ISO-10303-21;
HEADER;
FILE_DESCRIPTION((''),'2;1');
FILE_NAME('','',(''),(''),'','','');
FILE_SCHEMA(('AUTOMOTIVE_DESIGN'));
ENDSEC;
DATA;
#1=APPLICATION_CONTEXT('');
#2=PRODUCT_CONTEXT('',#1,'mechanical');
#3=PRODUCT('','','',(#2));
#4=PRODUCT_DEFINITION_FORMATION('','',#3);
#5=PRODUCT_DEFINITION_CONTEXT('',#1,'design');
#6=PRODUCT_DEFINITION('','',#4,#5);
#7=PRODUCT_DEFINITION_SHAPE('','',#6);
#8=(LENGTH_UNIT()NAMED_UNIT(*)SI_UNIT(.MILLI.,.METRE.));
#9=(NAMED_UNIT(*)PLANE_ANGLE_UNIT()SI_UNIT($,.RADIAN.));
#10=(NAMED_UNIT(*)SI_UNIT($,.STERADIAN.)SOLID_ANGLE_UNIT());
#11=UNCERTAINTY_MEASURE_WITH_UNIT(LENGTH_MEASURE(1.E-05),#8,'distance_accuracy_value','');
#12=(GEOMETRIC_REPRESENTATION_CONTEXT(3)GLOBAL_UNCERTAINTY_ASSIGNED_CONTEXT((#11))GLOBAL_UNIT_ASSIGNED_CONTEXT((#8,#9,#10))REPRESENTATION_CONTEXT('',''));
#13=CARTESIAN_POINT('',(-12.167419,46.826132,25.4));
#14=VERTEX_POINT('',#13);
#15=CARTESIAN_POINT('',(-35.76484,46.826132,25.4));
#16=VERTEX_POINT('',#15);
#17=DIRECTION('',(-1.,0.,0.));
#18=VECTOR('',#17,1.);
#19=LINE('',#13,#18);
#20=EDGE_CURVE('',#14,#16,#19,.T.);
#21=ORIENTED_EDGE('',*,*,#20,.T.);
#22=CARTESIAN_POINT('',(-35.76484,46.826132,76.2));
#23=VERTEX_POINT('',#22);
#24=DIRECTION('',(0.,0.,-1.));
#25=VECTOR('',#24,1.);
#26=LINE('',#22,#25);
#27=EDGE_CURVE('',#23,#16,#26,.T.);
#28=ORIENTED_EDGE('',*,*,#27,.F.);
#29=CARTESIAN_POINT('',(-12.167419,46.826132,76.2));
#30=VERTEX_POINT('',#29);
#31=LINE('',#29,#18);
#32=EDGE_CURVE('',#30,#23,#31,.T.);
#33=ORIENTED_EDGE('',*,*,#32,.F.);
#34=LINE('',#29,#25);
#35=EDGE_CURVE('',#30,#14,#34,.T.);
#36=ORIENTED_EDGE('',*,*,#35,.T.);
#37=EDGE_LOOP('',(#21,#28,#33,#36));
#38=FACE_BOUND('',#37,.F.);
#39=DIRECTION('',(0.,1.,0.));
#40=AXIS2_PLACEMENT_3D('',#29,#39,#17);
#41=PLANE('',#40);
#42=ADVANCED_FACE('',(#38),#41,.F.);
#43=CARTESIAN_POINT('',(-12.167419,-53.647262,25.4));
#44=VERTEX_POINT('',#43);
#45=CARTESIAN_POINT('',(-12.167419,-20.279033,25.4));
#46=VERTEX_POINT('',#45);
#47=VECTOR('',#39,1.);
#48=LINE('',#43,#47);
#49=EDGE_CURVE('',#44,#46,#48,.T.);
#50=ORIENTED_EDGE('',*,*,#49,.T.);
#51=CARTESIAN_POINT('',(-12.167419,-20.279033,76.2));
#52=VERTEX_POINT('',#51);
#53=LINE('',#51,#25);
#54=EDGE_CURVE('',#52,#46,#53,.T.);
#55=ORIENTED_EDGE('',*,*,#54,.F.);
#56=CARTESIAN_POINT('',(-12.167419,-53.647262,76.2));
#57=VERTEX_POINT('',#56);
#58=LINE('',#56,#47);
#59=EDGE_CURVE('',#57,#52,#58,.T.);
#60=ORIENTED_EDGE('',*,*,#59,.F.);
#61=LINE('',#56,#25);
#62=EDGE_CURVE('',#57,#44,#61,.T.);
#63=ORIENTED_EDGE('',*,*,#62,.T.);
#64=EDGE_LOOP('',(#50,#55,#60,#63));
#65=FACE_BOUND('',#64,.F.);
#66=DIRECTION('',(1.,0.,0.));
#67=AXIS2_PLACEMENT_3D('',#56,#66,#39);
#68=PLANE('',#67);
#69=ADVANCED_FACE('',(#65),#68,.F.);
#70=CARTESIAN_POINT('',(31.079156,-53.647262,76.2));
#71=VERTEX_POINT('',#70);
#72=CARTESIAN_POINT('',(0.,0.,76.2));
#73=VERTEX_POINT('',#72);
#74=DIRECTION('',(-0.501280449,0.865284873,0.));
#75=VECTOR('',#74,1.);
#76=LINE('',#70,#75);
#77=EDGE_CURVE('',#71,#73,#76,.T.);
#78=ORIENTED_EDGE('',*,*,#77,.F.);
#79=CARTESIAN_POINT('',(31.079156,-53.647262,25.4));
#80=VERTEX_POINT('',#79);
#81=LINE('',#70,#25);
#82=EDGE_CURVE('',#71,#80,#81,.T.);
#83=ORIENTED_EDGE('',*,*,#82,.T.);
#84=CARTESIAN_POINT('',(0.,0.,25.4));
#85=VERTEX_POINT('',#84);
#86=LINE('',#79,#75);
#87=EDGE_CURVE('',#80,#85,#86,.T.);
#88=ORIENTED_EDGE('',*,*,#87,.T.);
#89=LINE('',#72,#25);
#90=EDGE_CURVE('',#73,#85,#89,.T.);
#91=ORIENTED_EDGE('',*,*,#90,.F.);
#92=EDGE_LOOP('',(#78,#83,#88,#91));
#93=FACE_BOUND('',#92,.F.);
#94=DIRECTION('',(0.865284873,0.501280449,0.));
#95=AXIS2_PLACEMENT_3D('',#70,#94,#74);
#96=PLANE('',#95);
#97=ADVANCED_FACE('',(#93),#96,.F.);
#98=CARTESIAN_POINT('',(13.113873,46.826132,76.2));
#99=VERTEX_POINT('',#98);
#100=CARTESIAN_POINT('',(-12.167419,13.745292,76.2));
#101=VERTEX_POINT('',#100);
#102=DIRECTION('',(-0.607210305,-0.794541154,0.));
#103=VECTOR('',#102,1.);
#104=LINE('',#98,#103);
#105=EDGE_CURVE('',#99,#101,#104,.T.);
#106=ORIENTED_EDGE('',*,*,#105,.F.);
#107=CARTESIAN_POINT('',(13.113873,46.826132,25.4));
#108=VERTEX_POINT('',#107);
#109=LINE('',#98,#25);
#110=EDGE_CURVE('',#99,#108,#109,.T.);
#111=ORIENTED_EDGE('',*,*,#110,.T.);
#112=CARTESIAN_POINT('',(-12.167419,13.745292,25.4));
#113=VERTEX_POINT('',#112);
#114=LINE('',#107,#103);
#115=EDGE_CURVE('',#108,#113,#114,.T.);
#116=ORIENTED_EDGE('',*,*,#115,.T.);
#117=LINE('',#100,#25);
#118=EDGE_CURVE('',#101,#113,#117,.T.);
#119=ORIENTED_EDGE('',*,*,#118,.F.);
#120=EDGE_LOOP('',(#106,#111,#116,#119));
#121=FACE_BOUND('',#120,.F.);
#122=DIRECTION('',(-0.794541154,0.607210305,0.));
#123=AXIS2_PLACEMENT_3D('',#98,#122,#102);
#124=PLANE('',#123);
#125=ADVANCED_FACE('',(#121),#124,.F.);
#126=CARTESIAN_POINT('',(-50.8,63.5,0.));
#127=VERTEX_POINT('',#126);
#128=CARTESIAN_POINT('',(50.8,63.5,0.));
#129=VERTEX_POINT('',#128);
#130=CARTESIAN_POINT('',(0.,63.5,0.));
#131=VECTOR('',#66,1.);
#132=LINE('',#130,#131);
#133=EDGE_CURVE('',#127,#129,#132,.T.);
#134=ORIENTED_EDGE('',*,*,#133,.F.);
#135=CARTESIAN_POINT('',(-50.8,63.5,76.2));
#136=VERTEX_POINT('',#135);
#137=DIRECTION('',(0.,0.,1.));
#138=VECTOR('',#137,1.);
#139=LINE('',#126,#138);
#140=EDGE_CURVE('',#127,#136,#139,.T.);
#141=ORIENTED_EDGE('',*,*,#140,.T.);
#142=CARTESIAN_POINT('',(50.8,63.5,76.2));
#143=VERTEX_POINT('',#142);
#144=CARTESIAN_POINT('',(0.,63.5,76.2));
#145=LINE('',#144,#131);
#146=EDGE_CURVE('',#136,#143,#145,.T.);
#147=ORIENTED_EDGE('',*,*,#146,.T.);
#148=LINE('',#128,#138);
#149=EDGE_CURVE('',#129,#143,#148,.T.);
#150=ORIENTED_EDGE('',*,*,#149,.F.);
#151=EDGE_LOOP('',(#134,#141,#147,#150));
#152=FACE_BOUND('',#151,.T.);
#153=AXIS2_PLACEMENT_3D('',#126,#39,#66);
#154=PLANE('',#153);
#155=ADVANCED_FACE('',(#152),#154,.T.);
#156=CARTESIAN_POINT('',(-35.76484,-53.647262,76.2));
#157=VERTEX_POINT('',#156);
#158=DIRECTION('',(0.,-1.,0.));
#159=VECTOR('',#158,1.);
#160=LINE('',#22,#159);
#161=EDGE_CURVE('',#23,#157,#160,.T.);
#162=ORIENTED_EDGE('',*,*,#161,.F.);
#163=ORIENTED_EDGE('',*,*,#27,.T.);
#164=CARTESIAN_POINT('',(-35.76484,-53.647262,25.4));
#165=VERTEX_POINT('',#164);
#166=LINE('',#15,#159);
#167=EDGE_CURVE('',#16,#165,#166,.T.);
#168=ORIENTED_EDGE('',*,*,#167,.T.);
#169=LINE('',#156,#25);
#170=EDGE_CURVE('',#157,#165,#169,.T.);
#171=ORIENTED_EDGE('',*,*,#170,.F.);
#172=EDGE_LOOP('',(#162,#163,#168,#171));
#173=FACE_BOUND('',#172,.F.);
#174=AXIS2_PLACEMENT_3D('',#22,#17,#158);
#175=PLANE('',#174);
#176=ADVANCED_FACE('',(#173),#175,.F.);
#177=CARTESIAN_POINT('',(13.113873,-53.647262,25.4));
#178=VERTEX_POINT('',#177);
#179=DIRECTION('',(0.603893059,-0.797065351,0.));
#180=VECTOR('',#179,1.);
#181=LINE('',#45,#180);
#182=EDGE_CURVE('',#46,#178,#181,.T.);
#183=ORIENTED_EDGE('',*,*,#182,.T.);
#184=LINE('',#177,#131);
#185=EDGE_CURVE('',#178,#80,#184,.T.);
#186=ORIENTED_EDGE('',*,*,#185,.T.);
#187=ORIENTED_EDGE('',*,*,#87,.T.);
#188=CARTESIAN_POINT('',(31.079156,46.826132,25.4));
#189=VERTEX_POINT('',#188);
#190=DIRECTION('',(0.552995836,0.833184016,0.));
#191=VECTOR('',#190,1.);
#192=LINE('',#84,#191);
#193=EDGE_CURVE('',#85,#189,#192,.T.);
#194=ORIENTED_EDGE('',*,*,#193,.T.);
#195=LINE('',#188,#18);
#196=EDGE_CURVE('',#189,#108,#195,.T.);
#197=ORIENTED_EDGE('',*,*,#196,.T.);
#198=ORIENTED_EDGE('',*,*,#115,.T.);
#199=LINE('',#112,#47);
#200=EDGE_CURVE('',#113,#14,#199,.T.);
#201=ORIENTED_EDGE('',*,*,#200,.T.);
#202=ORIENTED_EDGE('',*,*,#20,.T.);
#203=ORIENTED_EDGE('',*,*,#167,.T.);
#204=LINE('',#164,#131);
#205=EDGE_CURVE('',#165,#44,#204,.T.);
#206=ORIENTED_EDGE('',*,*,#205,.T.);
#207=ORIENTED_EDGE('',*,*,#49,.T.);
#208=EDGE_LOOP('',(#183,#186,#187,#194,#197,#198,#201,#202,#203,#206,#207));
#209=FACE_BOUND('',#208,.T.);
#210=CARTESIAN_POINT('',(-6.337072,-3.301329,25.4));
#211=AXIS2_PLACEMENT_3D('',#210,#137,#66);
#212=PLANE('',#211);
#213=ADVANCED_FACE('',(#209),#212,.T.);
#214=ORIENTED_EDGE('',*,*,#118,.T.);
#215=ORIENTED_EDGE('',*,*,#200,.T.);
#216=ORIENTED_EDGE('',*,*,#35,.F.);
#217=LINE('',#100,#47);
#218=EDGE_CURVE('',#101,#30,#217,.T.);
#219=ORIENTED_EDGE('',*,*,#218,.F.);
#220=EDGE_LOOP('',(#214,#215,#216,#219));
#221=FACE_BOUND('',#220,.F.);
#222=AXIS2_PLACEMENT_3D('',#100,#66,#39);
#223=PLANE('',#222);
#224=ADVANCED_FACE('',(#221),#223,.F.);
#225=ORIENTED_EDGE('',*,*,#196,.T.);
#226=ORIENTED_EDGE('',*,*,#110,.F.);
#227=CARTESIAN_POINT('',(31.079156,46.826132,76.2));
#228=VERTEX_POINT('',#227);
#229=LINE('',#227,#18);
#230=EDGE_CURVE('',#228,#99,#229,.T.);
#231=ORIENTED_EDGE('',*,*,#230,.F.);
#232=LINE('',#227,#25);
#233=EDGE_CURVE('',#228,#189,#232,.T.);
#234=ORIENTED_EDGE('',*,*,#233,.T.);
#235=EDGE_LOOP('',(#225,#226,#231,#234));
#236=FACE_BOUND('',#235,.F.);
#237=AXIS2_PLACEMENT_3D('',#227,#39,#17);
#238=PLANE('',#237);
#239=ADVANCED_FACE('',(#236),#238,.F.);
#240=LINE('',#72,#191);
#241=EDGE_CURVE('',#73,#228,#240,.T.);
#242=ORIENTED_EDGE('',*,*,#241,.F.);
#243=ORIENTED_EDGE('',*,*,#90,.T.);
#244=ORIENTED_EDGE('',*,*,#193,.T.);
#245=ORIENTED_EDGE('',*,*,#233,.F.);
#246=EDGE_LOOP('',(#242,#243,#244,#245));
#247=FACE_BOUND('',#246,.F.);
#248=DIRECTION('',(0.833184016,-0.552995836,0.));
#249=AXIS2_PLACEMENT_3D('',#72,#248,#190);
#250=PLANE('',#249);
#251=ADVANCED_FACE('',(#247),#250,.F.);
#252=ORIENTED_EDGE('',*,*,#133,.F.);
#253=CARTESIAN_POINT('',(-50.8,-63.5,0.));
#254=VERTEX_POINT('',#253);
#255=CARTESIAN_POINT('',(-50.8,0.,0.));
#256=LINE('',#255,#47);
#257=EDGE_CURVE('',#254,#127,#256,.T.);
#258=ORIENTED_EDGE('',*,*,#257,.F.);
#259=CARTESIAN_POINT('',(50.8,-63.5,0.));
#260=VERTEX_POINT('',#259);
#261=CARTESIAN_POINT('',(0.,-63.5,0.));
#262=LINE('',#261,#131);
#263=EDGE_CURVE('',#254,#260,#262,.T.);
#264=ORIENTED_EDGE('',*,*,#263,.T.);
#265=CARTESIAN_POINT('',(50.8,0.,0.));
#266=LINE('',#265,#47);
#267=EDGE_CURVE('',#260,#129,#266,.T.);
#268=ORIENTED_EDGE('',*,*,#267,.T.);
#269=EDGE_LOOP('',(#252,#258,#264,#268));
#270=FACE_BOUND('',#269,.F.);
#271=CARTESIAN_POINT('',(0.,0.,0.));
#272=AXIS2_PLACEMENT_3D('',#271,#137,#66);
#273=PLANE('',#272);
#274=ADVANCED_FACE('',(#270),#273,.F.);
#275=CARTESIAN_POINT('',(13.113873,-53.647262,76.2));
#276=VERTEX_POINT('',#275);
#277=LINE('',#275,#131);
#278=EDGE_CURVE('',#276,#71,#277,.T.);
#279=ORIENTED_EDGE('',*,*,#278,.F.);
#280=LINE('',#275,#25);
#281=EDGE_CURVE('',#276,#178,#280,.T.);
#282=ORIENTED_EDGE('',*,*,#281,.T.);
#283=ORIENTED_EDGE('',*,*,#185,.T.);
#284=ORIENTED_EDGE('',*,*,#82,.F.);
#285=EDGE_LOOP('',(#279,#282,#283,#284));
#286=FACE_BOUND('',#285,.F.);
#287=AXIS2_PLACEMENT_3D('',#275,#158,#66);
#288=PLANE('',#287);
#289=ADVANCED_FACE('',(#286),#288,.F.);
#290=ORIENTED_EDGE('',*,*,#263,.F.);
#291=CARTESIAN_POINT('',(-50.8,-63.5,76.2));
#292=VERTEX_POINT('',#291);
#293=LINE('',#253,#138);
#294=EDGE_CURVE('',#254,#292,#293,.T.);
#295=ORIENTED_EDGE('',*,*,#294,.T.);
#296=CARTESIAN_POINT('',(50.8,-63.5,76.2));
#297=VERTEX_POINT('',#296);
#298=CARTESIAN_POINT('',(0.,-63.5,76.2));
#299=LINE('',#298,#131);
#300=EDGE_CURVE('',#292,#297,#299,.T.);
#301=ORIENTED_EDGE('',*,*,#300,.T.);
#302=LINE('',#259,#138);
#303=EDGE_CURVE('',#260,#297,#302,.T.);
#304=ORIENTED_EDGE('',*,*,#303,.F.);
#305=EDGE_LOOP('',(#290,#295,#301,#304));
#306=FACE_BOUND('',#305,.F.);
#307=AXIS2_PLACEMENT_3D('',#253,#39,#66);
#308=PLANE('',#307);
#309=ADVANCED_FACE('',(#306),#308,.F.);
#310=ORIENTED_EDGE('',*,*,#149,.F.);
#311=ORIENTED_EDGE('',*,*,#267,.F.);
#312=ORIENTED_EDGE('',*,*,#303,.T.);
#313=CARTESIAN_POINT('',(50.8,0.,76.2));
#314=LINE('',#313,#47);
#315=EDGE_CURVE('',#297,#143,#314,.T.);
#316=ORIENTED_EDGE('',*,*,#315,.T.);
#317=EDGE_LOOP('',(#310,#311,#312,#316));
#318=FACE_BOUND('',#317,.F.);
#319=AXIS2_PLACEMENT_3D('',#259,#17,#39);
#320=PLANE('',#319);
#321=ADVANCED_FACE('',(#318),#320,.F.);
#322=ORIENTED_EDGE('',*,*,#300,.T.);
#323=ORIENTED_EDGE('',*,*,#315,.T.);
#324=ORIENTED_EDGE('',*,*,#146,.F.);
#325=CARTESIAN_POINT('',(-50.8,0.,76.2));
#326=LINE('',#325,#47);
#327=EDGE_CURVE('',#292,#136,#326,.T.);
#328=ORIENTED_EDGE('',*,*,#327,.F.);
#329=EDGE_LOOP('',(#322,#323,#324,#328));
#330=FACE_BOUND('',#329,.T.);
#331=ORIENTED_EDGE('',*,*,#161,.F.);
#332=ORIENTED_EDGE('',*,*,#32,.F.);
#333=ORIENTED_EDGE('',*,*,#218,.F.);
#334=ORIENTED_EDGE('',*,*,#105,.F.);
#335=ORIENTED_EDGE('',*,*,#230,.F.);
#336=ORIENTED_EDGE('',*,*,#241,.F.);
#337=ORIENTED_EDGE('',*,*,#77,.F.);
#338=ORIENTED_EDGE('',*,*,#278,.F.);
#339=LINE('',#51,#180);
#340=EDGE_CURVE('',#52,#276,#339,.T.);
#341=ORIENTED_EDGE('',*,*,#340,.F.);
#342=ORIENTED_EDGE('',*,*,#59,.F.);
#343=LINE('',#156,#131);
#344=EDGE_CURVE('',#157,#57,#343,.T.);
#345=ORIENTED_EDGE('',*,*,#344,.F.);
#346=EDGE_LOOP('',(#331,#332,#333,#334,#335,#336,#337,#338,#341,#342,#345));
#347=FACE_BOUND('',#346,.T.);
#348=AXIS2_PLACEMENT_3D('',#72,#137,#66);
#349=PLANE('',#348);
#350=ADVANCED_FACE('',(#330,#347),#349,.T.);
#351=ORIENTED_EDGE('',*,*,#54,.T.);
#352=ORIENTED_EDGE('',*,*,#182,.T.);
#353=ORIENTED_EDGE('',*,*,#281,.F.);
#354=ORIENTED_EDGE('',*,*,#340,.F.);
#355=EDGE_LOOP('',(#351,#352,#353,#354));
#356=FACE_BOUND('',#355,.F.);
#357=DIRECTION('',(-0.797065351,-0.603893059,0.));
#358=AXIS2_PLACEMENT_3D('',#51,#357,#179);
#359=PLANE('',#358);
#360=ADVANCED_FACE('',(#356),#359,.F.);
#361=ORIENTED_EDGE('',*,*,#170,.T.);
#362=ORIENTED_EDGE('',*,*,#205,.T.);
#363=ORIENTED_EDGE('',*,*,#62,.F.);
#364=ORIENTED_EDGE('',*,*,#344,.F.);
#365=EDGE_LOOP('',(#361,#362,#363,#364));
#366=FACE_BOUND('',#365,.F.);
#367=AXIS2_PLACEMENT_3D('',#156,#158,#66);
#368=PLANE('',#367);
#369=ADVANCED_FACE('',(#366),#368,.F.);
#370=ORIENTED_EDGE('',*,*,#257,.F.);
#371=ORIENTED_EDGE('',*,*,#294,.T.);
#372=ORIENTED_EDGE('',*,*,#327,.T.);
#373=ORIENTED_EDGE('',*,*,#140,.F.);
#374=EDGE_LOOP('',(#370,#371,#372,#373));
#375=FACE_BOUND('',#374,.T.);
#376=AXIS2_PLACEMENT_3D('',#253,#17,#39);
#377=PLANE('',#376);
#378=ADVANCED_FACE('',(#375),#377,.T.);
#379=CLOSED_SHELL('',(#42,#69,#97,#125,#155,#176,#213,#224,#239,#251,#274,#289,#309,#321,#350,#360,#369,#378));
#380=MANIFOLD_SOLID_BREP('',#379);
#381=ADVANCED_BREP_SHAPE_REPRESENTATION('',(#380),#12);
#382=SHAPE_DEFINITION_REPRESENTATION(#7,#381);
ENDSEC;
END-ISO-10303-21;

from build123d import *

# Parameters (mm, degrees)
F0_W     = 101.6
F0_H     = 127
F1_DEPTH = 76.2
F3_DEPTH = 50.8


with BuildPart() as f1:
    # F0 (on Top) → F1 (new body)
    with BuildSketch(Plane.XY):
        Rectangle(F0_W, F0_H)
    extrude(amount=F1_DEPTH)

    # F2 (on face) → F3 (cut)
    with BuildSketch(Plane.XY.offset(76.2)):
        Polygon((-12.167419, 46.826132), (-35.76484, 46.826132), (-35.76484, -53.647262), (-12.167419, -53.647262), (-12.167419, -20.279033), (13.113873, -53.647262), (31.079156, -53.647262), (0, 0), (31.079156, 46.826132), (13.113873, 46.826132), (-12.167419, 13.745292), align=None)
    extrude(amount=-F3_DEPTH, mode=Mode.SUBTRACT)


solid = f1.part
